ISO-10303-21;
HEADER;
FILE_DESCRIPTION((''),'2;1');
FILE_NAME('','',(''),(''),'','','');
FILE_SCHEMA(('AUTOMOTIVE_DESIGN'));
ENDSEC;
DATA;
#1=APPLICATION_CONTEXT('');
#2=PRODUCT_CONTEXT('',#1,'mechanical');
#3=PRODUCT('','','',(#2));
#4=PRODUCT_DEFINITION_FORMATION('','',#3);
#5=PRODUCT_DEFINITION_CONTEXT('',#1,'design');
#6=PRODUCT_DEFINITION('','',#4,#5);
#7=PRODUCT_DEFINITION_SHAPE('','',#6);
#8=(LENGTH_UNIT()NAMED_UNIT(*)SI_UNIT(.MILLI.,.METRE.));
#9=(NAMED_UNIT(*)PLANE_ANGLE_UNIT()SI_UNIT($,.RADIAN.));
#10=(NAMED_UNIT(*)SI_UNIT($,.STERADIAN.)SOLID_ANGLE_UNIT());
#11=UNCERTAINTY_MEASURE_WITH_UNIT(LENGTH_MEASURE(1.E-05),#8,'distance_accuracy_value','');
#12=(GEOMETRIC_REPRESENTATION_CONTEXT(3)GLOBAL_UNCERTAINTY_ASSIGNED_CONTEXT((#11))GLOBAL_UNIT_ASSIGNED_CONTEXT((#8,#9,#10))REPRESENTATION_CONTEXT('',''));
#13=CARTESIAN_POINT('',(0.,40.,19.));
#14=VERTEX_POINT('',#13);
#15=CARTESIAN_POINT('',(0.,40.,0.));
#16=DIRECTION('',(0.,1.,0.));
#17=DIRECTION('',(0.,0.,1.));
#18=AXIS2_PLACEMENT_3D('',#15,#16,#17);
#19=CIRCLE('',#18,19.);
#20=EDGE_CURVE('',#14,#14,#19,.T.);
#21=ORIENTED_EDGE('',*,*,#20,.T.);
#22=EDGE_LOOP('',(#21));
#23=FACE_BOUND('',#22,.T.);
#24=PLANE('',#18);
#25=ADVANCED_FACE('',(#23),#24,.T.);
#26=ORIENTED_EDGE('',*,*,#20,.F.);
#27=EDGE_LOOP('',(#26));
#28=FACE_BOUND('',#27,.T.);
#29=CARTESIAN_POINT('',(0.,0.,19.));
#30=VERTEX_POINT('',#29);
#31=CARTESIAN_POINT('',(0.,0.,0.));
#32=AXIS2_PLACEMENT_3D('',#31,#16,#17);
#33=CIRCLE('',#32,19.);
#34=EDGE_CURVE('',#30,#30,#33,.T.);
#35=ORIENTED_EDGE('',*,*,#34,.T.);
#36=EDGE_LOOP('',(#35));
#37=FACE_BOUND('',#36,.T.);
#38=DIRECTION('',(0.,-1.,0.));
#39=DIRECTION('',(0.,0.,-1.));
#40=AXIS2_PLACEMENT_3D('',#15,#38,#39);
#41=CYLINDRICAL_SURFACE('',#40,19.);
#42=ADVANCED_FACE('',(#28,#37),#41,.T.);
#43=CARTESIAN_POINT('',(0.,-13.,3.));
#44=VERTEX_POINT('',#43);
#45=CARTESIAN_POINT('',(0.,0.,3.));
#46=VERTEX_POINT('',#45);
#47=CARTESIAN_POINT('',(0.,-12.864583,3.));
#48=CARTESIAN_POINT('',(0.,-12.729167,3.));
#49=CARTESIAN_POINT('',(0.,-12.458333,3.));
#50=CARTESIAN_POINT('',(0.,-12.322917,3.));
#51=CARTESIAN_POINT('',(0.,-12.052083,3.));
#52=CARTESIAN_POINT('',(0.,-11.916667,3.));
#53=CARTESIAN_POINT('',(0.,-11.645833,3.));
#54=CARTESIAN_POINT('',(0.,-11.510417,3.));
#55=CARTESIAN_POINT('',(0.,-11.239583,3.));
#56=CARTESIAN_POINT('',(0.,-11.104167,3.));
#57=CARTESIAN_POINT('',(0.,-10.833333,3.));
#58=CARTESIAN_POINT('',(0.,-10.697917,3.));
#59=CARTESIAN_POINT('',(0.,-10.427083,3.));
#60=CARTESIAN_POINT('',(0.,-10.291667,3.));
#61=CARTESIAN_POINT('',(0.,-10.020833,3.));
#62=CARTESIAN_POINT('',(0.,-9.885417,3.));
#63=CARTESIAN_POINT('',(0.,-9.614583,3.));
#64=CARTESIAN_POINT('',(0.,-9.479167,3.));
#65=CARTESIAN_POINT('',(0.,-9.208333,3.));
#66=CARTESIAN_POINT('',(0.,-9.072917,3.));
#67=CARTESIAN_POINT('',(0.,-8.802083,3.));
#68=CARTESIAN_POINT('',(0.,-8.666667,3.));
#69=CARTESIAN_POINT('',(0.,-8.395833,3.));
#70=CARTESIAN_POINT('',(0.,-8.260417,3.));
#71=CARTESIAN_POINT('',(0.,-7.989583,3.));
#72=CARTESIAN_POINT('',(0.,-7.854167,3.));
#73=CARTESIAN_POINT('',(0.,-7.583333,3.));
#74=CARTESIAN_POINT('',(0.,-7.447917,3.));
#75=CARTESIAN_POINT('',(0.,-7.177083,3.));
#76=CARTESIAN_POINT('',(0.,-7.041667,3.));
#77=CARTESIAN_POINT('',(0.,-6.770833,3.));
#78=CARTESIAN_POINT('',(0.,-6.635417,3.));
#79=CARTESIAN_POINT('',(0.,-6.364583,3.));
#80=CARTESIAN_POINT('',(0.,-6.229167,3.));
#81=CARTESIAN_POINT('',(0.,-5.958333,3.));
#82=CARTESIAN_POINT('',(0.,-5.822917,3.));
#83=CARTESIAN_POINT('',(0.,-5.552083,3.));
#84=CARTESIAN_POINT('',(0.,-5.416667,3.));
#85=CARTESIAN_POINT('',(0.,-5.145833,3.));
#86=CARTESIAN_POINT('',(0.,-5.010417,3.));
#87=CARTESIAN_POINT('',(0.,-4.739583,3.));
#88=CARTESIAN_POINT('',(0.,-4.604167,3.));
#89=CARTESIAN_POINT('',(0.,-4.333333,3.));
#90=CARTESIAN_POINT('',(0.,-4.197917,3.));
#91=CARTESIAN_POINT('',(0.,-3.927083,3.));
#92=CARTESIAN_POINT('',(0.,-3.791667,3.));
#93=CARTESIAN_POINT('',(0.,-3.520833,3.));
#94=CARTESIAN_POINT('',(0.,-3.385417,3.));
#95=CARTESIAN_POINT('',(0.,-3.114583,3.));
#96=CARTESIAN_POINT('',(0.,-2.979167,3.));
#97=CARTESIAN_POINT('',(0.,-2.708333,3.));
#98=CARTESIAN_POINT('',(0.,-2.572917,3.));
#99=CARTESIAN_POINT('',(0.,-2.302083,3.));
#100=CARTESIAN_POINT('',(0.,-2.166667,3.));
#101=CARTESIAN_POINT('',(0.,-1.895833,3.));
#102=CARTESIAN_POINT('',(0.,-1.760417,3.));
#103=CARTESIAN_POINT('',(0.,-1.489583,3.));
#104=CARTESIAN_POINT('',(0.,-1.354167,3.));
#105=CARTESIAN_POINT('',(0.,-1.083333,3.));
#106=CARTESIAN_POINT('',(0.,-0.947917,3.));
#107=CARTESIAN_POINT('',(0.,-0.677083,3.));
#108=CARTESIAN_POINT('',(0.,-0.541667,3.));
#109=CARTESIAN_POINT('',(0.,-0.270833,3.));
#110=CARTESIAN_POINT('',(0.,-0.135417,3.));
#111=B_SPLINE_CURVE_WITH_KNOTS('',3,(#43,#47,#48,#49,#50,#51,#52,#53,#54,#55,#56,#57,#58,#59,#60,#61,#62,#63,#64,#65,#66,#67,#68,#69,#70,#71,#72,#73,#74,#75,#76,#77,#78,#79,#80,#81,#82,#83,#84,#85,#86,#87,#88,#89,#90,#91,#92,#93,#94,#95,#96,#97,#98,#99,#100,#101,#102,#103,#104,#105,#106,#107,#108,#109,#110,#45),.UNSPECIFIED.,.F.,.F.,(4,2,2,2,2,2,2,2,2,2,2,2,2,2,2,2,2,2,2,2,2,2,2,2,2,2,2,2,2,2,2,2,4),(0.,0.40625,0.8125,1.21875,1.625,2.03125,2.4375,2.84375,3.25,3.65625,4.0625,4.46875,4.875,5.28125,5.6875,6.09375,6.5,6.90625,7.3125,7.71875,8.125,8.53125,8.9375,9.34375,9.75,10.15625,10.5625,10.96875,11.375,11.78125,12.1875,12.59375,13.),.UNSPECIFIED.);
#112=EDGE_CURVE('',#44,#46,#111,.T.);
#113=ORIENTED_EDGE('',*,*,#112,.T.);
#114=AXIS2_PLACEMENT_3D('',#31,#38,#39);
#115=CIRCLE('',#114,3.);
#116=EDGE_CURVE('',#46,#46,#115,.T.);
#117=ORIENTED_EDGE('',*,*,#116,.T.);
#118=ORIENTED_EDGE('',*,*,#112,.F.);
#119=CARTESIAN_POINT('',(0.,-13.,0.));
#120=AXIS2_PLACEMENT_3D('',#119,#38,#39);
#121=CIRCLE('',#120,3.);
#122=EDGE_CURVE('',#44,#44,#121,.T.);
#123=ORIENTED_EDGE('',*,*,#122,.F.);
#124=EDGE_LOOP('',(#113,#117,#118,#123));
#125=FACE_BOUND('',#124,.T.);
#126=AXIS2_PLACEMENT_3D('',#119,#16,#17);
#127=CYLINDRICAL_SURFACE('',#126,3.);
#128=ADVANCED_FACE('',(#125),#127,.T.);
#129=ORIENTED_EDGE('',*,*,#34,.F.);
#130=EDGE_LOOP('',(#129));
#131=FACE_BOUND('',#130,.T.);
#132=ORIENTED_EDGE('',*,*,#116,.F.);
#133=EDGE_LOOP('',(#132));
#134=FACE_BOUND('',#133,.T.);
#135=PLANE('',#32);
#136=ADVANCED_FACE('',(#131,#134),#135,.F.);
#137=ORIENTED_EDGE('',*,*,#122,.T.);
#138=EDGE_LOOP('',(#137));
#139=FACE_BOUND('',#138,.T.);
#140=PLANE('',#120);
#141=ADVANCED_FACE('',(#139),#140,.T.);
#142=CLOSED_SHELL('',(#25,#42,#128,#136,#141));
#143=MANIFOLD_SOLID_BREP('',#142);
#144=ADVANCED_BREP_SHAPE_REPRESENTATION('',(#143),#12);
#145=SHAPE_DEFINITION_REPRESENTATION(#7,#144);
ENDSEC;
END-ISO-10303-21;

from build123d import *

# Parameters (mm, degrees)
SKETCH1_R           = 19
BOSS_EXTRUDE1_DEPTH = 40
SKETCH2_R           = 3
BOSS_EXTRUDE2_DEPTH = 13


with BuildPart() as part:
    # Sketch1 → Boss-Extrude1 (new body)
    with BuildSketch(Plane(origin=(0, 0, 0), x_dir=(1, 0, 0), z_dir=(0, 1, 0))):
        with Locations(Location((0, 0, 0), (0, 0, 270))):
            Circle(SKETCH1_R)
    extrude(amount=BOSS_EXTRUDE1_DEPTH)

    # Sketch2 → Boss-Extrude2 (add)
    with BuildSketch(Plane.XZ):
        with Locations(Location((0, 0, 0), (0, 0, 90))):
            Circle(SKETCH2_R)
    extrude(amount=BOSS_EXTRUDE2_DEPTH)


solid = part.part
